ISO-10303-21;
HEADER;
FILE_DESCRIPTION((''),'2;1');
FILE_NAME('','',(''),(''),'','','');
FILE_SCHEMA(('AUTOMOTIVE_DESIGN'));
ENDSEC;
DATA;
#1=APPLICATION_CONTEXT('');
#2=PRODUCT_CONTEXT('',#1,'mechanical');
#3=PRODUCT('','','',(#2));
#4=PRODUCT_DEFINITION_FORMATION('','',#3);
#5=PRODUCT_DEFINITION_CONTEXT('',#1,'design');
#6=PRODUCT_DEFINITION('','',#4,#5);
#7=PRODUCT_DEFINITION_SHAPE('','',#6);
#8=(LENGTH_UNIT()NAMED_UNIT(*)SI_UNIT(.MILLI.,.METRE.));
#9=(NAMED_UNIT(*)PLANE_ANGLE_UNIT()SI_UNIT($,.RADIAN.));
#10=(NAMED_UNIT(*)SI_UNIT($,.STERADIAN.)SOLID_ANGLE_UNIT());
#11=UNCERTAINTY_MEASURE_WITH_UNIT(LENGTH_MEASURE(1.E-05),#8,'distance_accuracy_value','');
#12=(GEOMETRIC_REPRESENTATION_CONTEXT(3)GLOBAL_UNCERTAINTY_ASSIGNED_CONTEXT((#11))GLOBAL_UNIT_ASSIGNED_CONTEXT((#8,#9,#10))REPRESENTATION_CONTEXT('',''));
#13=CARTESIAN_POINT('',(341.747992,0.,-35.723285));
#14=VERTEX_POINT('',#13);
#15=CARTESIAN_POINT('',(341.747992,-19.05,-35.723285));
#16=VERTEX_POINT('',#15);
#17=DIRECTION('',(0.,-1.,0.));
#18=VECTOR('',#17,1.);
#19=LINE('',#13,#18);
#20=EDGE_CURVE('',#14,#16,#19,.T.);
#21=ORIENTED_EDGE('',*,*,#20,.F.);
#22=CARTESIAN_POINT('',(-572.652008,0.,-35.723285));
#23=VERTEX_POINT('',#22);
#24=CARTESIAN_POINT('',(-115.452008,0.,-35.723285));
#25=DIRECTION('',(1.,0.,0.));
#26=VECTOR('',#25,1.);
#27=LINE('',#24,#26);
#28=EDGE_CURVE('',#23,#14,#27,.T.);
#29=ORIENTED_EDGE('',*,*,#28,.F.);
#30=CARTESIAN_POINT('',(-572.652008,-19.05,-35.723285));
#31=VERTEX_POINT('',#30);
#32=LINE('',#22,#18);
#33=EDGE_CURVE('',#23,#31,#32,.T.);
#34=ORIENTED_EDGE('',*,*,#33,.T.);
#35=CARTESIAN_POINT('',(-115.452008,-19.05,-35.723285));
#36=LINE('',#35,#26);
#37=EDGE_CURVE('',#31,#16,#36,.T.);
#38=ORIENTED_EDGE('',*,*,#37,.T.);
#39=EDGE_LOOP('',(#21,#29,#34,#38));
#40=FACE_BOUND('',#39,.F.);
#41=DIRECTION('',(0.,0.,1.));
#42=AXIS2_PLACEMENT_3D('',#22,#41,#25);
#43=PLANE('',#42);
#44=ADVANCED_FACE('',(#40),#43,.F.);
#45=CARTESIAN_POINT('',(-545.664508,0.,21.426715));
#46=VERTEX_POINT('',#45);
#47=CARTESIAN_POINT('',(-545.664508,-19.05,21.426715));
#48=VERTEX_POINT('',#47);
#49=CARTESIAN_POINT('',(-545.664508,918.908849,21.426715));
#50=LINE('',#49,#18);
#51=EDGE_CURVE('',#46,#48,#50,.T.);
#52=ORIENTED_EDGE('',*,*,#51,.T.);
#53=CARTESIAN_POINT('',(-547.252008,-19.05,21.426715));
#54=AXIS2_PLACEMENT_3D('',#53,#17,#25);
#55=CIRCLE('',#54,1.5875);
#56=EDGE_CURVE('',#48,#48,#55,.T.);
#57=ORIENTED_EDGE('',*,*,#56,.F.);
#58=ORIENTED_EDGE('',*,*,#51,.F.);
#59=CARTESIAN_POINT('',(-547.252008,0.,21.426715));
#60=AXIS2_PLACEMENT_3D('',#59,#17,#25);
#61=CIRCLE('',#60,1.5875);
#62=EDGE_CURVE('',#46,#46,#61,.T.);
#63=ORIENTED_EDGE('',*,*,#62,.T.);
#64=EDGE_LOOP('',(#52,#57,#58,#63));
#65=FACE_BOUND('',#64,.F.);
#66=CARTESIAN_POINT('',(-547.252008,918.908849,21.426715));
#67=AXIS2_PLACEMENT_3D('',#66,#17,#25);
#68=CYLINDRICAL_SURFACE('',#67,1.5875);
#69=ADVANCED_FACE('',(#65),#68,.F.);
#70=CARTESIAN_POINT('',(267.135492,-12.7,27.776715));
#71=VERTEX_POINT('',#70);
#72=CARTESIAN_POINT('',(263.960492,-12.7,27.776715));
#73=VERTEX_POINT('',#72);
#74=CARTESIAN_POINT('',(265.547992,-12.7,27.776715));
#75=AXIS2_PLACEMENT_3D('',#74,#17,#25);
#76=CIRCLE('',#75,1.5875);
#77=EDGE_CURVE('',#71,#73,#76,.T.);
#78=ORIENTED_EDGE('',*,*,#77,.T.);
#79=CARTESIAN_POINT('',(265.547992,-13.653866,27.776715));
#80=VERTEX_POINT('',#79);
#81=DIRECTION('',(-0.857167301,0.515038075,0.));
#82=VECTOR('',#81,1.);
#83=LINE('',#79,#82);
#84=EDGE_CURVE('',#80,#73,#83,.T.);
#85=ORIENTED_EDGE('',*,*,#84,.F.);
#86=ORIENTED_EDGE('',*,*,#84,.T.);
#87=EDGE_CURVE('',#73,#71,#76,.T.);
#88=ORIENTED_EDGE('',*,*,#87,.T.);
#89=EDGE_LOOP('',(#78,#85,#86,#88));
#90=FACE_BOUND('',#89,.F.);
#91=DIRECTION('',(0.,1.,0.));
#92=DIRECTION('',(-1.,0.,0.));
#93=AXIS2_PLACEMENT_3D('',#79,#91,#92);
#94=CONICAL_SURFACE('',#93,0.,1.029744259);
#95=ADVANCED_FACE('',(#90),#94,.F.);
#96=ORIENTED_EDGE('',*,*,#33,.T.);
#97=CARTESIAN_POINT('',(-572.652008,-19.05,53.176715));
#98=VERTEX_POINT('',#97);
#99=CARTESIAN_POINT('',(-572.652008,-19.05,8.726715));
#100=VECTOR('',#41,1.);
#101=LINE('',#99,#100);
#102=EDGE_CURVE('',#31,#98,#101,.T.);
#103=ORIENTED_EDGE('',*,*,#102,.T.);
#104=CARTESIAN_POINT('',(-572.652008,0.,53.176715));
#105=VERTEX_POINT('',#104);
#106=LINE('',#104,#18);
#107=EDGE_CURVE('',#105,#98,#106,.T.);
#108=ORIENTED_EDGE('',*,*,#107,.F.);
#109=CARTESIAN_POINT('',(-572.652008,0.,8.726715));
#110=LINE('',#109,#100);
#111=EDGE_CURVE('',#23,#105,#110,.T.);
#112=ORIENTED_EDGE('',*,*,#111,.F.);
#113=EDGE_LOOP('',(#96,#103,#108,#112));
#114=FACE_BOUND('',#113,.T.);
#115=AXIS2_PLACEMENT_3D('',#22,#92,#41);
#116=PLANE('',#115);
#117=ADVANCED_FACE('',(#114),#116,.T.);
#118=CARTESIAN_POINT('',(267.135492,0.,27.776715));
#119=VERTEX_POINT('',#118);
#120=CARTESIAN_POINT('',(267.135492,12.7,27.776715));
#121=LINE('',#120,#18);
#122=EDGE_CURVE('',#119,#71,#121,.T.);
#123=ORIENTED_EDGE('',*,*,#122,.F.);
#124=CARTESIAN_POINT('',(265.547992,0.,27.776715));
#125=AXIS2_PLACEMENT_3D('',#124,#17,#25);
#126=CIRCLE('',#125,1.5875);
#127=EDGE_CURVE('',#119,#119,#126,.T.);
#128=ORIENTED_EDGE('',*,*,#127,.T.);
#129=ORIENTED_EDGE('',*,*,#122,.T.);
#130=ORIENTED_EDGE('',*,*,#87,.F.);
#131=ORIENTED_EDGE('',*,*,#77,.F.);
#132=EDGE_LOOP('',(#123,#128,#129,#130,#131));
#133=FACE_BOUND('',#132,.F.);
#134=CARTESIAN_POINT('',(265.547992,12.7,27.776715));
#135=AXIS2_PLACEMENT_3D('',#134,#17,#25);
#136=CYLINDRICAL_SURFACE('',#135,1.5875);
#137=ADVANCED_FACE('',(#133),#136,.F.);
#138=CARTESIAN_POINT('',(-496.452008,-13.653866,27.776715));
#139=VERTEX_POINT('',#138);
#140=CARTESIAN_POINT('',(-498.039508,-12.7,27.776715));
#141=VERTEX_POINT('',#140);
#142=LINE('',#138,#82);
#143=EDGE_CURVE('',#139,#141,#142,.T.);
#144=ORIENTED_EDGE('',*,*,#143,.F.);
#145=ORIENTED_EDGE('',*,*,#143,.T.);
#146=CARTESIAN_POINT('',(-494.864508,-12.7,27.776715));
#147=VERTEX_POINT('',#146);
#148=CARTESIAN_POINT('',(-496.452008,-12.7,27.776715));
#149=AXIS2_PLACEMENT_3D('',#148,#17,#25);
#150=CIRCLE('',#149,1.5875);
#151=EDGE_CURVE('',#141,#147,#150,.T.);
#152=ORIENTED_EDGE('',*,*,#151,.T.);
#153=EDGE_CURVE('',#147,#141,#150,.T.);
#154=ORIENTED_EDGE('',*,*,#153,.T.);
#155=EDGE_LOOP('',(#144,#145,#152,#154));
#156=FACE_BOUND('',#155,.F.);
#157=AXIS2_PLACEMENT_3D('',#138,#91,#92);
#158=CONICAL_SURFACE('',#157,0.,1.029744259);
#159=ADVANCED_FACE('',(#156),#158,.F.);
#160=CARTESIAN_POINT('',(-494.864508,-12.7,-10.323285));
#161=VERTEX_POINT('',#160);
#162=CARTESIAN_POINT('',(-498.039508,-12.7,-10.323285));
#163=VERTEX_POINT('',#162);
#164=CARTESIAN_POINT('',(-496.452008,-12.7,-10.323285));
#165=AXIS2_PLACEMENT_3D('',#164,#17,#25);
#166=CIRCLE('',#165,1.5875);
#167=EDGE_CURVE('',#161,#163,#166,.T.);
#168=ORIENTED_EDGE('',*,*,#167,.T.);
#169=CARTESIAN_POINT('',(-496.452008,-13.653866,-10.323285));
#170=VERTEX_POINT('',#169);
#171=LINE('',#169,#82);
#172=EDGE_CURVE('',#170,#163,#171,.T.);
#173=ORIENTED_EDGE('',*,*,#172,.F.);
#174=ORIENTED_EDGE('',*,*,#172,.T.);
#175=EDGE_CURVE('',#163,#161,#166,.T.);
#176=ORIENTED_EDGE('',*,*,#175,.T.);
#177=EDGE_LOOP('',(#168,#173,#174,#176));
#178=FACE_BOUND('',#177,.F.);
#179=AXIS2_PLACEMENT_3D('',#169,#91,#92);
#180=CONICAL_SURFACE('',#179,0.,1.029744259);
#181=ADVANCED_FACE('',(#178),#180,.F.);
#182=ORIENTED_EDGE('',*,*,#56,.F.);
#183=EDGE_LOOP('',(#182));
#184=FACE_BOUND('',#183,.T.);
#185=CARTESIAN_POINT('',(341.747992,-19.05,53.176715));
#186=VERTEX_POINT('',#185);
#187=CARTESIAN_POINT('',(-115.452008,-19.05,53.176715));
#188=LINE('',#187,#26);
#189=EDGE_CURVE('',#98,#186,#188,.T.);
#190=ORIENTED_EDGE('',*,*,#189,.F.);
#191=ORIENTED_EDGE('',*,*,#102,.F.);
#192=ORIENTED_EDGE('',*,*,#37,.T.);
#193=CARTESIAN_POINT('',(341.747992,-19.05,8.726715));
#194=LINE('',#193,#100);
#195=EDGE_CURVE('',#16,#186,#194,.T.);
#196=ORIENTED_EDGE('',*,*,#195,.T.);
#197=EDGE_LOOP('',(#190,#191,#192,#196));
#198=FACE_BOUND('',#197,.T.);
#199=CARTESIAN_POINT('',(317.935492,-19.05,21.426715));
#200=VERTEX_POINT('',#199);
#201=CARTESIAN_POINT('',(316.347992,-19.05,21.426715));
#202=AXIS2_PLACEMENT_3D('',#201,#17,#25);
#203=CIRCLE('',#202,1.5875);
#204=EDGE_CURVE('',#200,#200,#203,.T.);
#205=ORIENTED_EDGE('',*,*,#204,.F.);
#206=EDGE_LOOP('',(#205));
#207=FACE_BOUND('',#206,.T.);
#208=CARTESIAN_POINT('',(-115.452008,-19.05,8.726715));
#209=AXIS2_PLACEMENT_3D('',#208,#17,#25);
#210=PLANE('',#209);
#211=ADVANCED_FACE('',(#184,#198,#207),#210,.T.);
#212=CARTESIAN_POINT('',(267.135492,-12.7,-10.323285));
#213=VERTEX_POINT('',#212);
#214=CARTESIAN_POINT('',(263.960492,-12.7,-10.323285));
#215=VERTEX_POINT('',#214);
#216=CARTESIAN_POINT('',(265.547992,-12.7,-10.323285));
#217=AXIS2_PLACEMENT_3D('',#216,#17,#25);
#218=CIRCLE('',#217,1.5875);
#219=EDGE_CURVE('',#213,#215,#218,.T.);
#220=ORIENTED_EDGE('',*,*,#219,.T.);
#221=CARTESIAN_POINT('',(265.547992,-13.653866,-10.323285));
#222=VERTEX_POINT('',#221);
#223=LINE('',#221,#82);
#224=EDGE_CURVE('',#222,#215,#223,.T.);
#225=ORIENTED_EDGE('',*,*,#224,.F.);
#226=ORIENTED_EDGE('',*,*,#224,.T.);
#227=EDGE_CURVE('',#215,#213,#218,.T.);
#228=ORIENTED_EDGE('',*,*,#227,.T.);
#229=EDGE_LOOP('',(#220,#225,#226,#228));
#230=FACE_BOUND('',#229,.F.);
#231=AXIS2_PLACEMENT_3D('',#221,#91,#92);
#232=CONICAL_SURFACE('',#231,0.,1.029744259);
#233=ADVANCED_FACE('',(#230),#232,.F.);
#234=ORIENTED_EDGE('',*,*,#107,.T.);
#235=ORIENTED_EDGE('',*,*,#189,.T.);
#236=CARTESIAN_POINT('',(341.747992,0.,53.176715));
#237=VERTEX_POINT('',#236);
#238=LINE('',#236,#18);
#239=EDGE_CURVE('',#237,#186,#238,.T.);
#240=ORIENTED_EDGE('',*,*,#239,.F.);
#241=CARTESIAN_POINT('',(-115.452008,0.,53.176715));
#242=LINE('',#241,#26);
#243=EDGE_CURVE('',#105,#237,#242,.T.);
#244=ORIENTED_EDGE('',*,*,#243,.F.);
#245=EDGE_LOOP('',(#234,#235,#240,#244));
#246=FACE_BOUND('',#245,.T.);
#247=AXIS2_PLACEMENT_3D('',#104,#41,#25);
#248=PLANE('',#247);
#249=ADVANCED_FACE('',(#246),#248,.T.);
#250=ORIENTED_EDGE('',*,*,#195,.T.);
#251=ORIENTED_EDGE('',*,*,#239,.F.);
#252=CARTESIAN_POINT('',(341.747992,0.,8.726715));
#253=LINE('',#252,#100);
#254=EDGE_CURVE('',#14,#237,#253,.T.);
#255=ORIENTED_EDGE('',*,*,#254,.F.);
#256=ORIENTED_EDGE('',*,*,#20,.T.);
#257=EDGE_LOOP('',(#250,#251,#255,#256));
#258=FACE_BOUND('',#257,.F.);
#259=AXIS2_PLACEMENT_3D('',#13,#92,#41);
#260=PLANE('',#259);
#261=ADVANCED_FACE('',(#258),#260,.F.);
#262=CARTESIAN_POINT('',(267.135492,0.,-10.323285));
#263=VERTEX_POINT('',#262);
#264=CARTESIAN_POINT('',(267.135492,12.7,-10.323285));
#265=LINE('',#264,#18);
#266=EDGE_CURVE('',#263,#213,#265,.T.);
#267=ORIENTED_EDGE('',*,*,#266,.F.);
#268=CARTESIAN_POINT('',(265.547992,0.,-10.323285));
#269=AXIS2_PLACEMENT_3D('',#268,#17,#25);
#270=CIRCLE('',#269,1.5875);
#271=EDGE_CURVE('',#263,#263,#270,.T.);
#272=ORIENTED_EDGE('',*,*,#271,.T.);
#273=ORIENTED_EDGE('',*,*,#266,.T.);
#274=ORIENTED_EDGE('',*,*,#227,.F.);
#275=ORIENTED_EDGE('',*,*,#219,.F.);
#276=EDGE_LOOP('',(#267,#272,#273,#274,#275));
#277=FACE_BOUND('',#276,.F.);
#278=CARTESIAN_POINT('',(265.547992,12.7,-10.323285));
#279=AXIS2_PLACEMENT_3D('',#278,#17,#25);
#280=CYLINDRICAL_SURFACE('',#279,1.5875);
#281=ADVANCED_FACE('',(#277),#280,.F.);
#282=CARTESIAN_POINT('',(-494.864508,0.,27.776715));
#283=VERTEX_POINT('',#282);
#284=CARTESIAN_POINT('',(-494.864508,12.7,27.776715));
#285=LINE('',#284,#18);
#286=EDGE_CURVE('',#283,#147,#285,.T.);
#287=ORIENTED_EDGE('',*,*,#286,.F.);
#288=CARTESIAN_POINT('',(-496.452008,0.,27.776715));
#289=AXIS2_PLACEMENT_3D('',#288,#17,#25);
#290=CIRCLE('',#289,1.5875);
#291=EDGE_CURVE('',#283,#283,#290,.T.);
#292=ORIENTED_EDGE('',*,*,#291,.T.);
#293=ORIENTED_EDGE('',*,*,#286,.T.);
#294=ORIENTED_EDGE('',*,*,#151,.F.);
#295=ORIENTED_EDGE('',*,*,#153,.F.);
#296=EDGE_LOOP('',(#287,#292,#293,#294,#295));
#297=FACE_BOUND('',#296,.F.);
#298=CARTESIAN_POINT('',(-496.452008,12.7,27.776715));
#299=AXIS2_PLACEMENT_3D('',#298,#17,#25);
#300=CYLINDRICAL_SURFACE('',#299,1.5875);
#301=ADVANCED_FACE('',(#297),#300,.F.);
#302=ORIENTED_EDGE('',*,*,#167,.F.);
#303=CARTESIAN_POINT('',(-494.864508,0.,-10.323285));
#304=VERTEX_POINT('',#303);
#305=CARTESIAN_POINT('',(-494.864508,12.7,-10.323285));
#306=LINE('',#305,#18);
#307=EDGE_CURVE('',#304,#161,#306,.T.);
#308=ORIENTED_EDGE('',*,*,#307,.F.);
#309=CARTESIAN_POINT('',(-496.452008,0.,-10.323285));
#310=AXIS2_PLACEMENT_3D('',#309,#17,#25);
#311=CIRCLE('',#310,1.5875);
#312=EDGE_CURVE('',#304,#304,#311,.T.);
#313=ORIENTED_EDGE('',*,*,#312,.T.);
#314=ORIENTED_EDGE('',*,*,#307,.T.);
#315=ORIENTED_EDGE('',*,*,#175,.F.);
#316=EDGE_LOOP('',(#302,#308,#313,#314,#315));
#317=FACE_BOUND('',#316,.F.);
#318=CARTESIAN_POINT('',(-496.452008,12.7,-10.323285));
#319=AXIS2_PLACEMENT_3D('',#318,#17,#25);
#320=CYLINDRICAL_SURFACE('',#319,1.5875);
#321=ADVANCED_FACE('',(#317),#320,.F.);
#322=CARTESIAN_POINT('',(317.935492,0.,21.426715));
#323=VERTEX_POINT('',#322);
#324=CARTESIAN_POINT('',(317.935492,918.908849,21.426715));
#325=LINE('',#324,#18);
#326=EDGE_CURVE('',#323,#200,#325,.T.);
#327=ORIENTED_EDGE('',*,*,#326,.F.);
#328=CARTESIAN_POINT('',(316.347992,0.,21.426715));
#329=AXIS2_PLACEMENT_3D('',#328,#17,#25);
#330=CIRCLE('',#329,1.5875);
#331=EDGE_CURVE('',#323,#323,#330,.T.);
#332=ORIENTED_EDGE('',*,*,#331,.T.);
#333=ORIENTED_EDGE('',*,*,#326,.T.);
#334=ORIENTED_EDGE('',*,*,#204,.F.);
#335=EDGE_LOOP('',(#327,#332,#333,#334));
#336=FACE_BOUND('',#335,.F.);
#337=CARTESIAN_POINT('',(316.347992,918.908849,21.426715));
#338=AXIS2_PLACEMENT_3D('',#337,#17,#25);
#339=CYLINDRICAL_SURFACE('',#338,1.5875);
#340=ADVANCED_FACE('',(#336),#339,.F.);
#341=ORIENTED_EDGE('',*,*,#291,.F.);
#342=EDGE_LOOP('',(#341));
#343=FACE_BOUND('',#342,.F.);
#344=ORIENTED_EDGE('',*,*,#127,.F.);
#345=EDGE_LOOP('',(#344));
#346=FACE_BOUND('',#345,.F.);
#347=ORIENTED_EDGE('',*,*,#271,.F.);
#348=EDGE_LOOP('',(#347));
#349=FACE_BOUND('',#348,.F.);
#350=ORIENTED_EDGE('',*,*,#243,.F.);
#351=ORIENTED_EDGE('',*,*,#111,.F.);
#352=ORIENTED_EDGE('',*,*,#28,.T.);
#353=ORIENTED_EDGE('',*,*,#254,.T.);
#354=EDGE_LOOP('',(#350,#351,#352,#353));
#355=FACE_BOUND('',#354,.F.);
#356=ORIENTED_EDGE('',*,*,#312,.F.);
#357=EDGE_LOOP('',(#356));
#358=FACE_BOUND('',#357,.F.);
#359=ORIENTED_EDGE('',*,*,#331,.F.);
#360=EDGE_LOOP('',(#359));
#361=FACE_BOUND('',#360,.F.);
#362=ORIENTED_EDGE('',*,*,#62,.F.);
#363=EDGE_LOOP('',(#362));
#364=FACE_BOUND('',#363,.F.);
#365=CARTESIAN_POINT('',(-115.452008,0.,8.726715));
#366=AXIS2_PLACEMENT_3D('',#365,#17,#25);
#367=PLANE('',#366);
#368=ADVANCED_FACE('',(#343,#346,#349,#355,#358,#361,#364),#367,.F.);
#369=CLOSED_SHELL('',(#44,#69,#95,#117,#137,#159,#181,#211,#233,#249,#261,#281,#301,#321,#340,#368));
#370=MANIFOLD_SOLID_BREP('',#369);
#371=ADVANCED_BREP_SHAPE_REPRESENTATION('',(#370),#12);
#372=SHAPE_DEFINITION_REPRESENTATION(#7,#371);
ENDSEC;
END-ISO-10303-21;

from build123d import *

# Parameters (mm, degrees)
F0_W     = 914.4
F0_H     = 88.9
F1_DEPTH = 19.05
F3_D     = 3.175
F3_DEPTH = 12.7
F3_TIP   = 0.9538662327
F5_D     = 3.175


with BuildPart() as f1:
    # F0 (on Front) → F1 (new body)
    with BuildSketch(Plane.XZ):
        with Locations((-115.452008301, 8.7267147488)):
            Rectangle(F0_W, F0_H)
    extrude(amount=F1_DEPTH)

    # F3
    with Locations(Plane(origin=(0, 0, 0), x_dir=(-1, 0, 0), z_dir=(0, 1, 0))):
        with Locations((-265.547991699, -10.3232852512), (-265.547991699, 27.7767147488), (496.452008301, -10.3232852512), (496.452008301, 27.7767147488)):
            Hole(F3_D / 2, depth=F3_DEPTH)
            with Locations((0, 0, -(F3_DEPTH + F3_TIP / 2))):  # 118° drill point
                Cone(0, F3_D / 2, F3_TIP, mode=Mode.SUBTRACT)

    # F5 (through all)
    with Locations(Plane(origin=(0, 0, 0), x_dir=(-1, 0, 0), z_dir=(0, 1, 0))):
        with Locations((-316.347991699, 21.4267147488), (547.252008301, 21.4267147488)):
            Hole(F5_D / 2)


solid = f1.part
